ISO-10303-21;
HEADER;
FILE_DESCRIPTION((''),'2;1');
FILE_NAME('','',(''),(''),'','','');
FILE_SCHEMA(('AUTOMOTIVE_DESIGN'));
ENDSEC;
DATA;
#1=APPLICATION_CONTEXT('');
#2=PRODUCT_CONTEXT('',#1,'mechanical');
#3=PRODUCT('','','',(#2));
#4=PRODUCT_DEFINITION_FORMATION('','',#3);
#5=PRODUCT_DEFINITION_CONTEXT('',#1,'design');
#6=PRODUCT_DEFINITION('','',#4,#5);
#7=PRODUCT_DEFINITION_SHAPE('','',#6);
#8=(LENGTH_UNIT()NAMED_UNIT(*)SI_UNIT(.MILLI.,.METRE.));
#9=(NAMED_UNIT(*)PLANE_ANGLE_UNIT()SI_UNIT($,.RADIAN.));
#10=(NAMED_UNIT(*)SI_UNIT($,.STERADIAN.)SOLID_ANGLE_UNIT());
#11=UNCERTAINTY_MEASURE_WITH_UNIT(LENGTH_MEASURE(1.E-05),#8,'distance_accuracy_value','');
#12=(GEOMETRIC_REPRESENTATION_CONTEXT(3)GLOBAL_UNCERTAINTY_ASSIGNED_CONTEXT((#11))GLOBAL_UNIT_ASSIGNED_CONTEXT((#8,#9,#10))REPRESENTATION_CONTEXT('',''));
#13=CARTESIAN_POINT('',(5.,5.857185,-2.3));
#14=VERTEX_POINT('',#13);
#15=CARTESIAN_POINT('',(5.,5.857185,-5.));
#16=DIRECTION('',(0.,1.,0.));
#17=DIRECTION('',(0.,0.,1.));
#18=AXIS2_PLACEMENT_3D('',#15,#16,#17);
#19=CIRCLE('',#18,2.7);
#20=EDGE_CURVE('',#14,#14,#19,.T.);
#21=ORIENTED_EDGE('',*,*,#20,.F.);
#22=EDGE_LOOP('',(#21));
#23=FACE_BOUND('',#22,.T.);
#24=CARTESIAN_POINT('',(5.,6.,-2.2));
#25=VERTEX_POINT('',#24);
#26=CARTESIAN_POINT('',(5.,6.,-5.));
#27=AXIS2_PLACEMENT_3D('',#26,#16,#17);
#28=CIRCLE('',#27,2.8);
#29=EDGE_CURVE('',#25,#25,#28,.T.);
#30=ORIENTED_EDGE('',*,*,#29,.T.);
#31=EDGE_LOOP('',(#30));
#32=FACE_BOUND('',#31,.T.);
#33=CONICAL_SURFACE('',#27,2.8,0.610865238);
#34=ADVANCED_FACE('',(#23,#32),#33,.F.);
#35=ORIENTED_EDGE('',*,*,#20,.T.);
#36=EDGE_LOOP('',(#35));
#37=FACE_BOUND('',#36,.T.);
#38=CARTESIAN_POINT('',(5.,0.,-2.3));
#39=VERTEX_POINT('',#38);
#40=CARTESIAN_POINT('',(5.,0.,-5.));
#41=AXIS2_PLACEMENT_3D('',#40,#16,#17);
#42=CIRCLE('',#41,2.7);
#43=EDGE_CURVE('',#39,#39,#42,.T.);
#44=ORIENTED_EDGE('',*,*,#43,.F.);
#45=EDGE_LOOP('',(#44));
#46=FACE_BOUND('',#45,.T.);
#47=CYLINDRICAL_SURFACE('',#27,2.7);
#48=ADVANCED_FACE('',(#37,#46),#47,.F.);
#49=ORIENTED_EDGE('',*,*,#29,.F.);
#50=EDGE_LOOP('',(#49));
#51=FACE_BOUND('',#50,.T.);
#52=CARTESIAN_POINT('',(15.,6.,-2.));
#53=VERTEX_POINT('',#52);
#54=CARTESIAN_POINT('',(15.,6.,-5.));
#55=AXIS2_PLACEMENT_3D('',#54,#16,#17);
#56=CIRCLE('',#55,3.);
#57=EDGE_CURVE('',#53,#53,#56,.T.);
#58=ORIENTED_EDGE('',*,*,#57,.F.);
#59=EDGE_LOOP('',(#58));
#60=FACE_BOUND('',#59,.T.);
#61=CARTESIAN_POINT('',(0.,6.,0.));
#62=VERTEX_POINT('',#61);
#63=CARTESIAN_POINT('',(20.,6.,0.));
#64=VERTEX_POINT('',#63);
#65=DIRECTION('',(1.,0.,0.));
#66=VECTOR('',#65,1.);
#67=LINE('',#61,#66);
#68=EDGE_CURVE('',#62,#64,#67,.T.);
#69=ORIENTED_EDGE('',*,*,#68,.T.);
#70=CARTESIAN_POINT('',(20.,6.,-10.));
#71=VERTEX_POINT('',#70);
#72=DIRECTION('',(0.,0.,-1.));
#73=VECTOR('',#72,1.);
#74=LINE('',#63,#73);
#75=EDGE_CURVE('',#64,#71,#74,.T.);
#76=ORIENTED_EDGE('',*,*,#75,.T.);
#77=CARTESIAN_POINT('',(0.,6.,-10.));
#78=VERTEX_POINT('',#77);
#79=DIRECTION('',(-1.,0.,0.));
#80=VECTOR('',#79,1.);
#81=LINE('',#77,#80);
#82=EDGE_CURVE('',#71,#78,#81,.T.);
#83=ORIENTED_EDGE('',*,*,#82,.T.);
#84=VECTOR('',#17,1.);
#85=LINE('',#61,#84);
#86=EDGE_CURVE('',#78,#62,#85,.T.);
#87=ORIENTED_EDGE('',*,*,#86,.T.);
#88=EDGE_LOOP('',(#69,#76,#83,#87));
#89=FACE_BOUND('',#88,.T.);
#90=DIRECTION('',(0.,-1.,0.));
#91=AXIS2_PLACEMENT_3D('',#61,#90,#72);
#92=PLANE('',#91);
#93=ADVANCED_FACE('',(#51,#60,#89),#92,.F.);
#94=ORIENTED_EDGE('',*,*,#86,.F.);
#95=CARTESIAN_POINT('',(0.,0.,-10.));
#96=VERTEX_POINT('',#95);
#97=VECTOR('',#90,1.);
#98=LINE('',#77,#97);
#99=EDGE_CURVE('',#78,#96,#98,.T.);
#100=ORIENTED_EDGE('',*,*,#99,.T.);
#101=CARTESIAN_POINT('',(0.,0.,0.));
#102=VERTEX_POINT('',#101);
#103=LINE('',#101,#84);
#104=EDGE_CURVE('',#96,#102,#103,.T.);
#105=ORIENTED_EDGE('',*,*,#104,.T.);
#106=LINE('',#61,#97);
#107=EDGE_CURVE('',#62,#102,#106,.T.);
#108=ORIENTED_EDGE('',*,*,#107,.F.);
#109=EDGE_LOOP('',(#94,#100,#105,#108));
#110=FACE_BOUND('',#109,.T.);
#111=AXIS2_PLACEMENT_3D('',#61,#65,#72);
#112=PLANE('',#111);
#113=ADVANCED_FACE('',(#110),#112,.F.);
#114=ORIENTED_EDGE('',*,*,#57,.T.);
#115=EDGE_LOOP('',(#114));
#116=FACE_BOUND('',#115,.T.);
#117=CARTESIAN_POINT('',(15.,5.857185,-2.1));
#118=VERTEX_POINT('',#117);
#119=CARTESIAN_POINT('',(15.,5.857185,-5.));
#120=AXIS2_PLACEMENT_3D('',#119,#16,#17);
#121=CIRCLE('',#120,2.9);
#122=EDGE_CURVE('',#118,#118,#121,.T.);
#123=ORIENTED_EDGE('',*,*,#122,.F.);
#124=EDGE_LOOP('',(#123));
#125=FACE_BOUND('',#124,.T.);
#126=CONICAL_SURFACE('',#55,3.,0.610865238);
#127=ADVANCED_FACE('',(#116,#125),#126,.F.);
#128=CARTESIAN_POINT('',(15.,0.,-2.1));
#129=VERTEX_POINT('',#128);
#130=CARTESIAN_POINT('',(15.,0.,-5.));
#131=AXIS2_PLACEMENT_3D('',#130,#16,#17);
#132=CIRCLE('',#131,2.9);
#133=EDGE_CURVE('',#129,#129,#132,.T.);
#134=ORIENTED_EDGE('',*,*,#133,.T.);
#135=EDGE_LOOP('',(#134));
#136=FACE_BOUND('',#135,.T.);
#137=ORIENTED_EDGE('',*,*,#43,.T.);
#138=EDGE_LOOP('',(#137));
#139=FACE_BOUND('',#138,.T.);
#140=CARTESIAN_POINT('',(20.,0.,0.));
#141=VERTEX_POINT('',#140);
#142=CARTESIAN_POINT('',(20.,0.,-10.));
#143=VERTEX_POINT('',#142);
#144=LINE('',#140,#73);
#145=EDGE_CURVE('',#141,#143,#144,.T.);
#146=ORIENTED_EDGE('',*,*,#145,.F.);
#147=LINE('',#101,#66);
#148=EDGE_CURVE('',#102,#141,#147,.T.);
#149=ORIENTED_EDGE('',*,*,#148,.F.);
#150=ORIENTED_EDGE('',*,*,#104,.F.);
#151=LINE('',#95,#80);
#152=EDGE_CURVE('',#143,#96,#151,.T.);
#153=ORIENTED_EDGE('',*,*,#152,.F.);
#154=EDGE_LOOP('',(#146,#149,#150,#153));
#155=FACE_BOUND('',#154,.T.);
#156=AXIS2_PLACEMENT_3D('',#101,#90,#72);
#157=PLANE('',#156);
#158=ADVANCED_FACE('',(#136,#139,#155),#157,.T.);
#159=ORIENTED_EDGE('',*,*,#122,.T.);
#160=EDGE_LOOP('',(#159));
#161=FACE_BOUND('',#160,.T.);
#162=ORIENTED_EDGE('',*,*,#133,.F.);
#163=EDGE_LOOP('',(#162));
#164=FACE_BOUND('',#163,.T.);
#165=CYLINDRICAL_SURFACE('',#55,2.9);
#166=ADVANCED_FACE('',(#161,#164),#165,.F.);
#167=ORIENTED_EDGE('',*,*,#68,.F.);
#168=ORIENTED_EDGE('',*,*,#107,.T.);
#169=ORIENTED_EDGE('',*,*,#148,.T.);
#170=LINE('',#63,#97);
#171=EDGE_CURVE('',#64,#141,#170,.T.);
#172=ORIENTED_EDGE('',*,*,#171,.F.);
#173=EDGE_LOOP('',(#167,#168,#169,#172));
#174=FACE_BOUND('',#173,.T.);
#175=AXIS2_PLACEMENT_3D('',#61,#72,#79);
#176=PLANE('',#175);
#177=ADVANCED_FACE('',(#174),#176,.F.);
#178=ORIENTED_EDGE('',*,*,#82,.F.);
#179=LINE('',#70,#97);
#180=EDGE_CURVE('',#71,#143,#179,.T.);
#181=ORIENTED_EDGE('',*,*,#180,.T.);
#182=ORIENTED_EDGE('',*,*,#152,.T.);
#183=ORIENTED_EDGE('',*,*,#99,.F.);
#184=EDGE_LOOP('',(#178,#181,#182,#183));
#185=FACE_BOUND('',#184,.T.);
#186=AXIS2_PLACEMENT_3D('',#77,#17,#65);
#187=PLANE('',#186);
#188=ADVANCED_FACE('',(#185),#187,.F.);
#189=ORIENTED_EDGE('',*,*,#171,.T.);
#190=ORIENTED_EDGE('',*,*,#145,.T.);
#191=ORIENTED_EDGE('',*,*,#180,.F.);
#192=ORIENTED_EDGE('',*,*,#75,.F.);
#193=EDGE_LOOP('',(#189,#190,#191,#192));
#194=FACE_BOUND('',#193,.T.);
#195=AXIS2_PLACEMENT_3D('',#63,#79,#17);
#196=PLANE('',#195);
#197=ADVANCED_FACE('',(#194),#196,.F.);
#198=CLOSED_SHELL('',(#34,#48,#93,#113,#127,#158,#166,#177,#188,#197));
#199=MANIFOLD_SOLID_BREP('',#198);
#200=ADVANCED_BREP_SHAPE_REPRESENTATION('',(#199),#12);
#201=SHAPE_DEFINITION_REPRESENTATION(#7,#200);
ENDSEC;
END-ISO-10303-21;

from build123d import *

# Parameters (mm, degrees)
SKETCH1_W                            = 20
SKETCH1_H                            = 10
BOSS_EXTRUDE1_DEPTH                  = 6
F_5_4_5_4_DIAMETER_HOLE1_D           = 5.4
F_5_4_5_4_DIAMETER_HOLE1_CSINK_D     = 5.6
F_5_4_5_4_DIAMETER_HOLE1_CSINK_ANGLE = 70
F_5_8_5_8_DIAMETER_HOLE1_D           = 5.8
F_5_8_5_8_DIAMETER_HOLE1_CSINK_D     = 6
F_5_8_5_8_DIAMETER_HOLE1_CSINK_ANGLE = 70


with BuildPart() as part:
    # Sketch1 → Boss-Extrude1 (new body)
    with BuildSketch(Plane(origin=(0, 0, 0), x_dir=(1, 0, 0), z_dir=(0, 1, 0))):
        with Locations((10, 5)):
            Rectangle(SKETCH1_W, SKETCH1_H)
    extrude(amount=BOSS_EXTRUDE1_DEPTH)

    # Ø5.4 (5.4) Diameter Hole1 (through all)
    with Locations(Plane(origin=(0, 6, 0), x_dir=(1, 0, 0), z_dir=(0, 1, 0))):
        with Locations((5, 5)):
            CounterSinkHole(F_5_4_5_4_DIAMETER_HOLE1_D / 2, F_5_4_5_4_DIAMETER_HOLE1_CSINK_D / 2, counter_sink_angle=F_5_4_5_4_DIAMETER_HOLE1_CSINK_ANGLE)

    # Ø5.8 (5.8) Diameter Hole1 (through all)
    with Locations(Plane(origin=(0, 6, 0), x_dir=(1, 0, 0), z_dir=(0, 1, 0))):
        with Locations((15, 5)):
            CounterSinkHole(F_5_8_5_8_DIAMETER_HOLE1_D / 2, F_5_8_5_8_DIAMETER_HOLE1_CSINK_D / 2, counter_sink_angle=F_5_8_5_8_DIAMETER_HOLE1_CSINK_ANGLE)


solid = part.part
